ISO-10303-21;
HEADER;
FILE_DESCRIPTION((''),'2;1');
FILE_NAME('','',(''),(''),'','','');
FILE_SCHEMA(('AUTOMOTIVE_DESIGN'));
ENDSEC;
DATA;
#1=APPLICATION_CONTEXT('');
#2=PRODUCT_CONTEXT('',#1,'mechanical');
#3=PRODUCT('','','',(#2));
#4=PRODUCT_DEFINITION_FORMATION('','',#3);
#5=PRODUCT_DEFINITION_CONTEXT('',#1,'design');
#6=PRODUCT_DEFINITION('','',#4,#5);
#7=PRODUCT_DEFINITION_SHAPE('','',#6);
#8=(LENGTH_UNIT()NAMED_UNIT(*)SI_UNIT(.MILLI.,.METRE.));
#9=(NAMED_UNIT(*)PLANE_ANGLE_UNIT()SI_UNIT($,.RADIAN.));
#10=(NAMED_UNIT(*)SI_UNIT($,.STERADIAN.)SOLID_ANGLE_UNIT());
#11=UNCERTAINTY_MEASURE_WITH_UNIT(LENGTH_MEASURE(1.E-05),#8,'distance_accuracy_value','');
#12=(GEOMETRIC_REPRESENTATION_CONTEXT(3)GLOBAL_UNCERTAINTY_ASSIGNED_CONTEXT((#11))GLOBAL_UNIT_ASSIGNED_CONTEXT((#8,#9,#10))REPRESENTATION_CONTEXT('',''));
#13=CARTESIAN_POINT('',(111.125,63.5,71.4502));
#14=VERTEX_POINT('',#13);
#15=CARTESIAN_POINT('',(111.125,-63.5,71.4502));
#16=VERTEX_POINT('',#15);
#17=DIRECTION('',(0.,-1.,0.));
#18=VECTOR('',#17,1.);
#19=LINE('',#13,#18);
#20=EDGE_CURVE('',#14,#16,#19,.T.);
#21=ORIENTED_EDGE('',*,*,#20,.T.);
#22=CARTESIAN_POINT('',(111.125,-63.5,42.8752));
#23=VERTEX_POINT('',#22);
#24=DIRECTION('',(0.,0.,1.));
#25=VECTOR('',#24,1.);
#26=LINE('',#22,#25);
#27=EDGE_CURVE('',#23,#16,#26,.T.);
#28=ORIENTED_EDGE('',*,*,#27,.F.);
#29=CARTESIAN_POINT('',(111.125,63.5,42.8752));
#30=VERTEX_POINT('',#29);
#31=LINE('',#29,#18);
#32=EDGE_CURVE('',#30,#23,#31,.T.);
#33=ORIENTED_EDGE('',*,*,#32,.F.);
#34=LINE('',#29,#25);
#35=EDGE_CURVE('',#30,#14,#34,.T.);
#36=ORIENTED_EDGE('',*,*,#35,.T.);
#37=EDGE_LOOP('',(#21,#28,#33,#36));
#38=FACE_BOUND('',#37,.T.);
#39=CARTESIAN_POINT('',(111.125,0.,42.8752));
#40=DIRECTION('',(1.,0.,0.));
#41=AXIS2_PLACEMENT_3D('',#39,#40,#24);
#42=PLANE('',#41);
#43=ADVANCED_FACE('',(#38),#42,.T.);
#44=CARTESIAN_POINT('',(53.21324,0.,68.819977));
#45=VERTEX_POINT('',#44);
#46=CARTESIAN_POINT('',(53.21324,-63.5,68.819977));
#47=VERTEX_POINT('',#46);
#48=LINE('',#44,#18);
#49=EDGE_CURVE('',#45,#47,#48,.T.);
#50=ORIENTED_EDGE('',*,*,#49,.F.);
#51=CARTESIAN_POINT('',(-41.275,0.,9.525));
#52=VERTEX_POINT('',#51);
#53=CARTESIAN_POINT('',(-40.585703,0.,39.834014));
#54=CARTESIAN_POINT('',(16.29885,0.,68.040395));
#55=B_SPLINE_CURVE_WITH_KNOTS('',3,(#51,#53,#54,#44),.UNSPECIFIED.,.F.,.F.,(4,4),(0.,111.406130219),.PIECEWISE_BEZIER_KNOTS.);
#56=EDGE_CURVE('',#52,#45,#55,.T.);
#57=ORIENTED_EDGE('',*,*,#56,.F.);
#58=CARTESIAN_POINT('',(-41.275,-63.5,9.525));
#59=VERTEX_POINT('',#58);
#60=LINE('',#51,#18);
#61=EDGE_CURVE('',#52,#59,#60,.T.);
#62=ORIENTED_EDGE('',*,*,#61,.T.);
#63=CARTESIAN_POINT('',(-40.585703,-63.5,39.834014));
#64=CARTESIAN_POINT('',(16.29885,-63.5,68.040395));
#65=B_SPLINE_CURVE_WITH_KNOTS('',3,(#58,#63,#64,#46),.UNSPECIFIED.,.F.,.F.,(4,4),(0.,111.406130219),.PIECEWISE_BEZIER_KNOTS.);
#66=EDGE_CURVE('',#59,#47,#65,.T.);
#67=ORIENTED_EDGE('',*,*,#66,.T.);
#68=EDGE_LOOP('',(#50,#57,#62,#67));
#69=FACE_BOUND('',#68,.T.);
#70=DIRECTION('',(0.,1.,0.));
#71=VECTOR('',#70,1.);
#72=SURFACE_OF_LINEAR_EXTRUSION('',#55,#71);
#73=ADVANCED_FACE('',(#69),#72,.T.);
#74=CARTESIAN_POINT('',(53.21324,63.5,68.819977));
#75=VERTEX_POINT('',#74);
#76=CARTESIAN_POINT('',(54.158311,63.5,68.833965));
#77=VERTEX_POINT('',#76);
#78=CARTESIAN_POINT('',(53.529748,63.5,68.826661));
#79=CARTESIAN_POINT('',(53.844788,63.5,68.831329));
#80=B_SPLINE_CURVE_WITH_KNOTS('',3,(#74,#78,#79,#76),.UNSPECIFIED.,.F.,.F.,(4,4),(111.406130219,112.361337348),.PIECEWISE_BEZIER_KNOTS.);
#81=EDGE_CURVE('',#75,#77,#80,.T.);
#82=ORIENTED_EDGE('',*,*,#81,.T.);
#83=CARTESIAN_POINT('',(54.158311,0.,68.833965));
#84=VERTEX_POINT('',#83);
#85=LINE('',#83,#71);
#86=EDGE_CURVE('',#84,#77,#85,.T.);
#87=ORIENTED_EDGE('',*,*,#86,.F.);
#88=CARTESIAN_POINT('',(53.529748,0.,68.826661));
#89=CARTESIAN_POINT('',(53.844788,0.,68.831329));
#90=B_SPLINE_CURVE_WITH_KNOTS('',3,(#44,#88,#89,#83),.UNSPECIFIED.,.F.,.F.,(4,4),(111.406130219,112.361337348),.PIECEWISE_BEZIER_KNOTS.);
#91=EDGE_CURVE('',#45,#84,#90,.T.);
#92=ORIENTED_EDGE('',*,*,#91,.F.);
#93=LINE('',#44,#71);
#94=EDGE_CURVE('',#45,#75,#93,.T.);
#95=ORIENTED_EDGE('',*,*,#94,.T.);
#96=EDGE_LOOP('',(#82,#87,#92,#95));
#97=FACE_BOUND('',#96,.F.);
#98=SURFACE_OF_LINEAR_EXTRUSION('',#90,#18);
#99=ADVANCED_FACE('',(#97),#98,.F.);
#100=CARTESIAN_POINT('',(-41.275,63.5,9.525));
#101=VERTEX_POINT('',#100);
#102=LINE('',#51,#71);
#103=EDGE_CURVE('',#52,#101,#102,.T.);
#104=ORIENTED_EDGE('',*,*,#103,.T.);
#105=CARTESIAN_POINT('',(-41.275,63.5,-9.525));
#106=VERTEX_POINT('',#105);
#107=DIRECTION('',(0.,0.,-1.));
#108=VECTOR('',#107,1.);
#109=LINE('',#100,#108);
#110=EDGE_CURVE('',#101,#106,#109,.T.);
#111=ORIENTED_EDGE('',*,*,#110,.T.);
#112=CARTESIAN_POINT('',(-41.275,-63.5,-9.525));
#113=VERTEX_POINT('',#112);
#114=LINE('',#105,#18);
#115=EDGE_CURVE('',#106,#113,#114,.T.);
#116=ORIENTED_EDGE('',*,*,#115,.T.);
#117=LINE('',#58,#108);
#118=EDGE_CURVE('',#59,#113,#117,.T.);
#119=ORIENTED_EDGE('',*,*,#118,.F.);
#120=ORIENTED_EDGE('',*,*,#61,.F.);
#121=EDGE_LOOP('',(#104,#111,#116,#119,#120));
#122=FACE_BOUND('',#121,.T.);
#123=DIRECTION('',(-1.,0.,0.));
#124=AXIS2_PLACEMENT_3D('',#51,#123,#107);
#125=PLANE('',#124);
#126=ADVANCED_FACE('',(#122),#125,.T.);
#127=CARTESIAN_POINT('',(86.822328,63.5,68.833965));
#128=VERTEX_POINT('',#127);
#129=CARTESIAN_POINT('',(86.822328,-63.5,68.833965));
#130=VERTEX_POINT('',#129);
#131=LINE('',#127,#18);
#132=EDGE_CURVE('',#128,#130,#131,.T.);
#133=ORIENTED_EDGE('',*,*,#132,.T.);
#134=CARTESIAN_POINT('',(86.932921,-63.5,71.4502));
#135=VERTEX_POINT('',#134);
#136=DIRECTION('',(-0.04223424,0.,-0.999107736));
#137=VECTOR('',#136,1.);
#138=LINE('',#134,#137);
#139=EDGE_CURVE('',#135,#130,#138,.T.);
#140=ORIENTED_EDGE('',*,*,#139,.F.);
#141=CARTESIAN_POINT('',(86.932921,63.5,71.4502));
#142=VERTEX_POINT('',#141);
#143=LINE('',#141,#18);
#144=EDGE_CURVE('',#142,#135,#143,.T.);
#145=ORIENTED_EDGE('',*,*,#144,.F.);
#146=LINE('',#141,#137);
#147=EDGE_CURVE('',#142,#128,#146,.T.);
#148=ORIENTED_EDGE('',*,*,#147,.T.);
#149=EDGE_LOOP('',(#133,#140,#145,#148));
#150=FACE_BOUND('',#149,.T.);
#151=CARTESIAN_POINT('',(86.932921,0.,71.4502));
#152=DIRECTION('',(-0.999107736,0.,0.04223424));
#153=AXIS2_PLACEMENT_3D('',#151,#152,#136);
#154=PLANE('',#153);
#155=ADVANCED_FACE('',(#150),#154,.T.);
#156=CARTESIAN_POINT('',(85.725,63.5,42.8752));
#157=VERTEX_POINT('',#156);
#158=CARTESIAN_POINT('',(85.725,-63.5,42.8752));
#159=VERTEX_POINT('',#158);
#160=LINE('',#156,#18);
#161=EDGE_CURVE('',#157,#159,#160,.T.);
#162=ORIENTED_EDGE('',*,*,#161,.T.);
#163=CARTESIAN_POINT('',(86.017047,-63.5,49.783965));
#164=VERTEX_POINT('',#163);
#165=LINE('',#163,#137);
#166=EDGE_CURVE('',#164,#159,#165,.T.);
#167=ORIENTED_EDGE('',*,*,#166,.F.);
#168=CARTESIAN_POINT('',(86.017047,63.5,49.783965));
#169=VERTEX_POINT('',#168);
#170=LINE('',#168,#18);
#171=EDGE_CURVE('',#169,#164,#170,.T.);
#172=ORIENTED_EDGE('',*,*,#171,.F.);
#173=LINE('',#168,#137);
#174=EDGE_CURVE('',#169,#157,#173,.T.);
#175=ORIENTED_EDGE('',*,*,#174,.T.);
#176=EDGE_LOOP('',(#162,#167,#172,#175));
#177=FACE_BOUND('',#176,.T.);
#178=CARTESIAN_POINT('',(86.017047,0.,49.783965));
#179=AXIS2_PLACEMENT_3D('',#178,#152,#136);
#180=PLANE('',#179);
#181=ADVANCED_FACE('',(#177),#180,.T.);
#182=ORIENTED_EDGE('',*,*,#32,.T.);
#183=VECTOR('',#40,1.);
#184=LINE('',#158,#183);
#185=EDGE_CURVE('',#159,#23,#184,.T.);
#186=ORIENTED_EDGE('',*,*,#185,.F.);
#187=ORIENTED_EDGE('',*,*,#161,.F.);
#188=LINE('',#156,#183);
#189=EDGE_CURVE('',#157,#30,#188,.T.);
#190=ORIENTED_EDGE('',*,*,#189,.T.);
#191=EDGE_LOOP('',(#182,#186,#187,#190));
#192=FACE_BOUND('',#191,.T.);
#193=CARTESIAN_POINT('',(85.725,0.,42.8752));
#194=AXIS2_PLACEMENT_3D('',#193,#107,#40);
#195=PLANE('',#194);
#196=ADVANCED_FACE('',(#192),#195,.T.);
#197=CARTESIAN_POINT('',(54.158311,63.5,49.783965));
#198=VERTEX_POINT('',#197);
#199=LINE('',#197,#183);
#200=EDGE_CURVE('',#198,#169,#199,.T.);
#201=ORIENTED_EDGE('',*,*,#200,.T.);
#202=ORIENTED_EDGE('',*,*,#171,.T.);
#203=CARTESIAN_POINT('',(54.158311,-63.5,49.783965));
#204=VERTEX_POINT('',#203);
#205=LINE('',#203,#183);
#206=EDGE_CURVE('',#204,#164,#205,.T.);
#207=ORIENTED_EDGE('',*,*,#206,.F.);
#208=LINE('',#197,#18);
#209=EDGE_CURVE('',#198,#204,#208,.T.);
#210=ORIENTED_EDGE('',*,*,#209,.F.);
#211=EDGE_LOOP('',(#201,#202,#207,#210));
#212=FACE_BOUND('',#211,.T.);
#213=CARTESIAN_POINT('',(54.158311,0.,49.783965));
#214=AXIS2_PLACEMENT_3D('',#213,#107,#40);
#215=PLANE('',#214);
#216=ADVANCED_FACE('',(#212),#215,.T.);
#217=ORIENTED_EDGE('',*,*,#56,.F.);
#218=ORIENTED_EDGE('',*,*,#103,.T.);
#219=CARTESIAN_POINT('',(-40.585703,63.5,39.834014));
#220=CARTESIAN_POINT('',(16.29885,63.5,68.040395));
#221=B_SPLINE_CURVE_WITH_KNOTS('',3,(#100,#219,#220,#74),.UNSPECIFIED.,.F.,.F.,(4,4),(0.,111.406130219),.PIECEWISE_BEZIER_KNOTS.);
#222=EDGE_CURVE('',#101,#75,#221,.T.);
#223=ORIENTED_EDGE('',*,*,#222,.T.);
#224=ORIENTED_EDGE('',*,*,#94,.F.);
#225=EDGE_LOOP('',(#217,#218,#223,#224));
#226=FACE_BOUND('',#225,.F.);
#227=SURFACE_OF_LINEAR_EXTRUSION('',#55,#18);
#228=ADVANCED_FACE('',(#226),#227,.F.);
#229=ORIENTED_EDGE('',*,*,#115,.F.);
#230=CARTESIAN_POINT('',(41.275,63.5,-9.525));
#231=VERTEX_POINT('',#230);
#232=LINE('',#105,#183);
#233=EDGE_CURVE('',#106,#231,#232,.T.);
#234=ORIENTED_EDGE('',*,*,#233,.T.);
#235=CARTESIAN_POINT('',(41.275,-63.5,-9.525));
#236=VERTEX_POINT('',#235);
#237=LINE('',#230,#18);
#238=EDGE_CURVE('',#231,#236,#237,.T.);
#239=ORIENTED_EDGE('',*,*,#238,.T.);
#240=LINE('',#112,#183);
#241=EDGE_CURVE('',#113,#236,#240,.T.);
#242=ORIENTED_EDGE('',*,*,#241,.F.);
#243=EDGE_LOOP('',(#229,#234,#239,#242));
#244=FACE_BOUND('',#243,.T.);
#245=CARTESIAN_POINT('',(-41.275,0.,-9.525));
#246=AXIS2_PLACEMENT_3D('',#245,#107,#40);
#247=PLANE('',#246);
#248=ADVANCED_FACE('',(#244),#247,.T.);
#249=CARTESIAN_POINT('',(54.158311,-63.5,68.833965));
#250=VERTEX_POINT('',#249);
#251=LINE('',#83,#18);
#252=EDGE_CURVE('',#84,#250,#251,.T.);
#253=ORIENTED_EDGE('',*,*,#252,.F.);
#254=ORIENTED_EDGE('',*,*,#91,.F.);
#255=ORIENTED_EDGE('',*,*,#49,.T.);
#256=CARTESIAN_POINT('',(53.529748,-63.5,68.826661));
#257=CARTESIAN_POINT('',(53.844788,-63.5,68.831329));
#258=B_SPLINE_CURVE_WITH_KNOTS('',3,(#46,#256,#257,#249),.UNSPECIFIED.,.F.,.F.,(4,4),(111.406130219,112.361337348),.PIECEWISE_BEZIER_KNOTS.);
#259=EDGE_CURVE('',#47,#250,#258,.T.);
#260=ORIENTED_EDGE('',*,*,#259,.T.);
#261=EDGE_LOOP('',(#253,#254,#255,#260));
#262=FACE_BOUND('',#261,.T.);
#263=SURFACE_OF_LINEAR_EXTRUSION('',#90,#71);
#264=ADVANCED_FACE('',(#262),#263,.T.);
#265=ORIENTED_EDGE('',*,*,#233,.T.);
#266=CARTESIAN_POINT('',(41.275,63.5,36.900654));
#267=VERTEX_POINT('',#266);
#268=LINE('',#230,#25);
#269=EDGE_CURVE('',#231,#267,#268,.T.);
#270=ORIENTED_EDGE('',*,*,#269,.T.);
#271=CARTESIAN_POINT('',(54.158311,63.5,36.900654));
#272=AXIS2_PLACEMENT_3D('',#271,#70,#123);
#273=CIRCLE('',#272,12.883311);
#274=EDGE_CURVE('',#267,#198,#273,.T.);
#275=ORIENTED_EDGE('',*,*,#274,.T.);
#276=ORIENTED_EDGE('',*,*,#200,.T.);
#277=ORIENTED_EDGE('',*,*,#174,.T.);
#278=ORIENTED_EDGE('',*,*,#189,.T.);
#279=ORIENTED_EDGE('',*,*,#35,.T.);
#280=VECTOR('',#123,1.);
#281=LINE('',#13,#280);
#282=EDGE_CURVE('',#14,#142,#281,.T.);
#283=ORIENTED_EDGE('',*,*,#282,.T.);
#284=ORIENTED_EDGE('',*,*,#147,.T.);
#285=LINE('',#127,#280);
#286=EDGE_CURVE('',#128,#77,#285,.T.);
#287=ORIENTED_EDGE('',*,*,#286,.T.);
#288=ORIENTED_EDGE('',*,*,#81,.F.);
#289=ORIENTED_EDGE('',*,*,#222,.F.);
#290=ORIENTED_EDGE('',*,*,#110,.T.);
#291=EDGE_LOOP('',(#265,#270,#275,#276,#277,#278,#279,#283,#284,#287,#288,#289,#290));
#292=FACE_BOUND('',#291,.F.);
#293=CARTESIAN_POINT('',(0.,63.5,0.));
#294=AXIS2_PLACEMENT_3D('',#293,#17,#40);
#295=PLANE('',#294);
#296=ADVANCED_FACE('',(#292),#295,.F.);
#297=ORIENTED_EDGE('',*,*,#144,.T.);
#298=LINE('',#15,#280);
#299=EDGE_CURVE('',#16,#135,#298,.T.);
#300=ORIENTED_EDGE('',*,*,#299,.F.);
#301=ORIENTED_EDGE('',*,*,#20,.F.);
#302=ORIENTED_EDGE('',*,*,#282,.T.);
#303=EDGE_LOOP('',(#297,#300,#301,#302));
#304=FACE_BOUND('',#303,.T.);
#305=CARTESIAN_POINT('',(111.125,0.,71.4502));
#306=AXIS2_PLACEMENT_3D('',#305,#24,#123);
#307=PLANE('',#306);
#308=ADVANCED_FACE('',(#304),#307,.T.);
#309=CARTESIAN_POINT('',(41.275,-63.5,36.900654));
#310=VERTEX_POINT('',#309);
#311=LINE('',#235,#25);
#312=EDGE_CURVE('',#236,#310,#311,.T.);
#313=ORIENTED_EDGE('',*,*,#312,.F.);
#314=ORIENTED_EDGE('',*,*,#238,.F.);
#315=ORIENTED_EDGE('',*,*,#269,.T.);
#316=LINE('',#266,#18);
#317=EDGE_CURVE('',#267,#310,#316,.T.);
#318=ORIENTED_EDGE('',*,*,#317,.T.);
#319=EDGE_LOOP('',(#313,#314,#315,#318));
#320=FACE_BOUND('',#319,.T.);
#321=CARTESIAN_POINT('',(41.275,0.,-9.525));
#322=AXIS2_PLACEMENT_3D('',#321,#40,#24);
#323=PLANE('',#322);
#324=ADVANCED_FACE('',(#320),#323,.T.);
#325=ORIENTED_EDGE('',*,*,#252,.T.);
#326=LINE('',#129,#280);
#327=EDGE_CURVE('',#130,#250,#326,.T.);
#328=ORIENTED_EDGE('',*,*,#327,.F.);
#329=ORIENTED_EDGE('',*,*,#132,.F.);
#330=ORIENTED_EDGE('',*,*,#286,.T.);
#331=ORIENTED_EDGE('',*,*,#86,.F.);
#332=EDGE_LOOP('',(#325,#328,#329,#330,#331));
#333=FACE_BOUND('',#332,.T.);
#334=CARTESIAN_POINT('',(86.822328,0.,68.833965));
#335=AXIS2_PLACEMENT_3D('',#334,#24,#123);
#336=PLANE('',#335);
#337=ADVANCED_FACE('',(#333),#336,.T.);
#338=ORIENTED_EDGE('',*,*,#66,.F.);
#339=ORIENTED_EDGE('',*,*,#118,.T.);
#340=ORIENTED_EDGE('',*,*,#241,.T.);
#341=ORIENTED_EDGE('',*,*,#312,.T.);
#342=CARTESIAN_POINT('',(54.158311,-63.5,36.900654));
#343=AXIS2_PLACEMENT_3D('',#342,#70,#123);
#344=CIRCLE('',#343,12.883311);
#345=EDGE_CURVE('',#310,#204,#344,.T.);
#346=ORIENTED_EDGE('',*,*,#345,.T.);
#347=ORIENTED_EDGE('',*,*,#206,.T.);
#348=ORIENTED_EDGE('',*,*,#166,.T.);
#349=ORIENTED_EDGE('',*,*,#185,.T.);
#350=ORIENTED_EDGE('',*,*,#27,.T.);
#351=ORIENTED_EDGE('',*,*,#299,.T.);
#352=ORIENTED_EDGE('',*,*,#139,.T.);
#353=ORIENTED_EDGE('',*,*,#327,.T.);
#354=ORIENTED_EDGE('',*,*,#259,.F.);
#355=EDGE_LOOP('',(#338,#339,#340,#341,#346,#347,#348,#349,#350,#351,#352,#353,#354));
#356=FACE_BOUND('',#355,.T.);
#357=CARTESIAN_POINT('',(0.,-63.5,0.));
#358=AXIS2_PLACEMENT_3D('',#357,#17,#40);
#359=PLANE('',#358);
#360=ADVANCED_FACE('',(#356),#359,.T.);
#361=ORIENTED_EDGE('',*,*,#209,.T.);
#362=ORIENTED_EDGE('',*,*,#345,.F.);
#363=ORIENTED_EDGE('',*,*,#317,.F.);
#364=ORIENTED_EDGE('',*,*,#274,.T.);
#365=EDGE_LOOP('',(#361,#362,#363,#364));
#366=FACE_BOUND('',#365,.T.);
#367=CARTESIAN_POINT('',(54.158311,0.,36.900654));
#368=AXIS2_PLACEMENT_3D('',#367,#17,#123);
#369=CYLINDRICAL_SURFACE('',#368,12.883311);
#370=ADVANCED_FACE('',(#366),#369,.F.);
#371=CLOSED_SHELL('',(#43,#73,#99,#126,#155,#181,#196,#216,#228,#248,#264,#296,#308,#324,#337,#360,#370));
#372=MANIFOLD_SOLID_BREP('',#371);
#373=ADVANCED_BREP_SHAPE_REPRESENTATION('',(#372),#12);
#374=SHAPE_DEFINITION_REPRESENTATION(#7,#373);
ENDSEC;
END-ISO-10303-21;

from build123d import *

# Parameters (mm, degrees)
F1_DEPTH = 63.5


with BuildPart() as f1:
    # F0 (on Front) → F1 (new body, symmetric)
    with BuildSketch(Plane.XZ):
        Polygon((22.225, 9.525), (-41.275, 9.525), (-41.275, -9.525), (41.275, -9.525), (41.275, 9.525), align=None)
        with BuildLine():
            add(Edge.make_bspline(
                [(-41.275, 9.525), (-40.5857030926, 39.8340139473), (16.2988504343, 68.0403953108), (53.2132404855, 68.8199768106)],
                knots=[0, 0, 0, 0, 111.4061302188, 111.4061302188, 111.4061302188, 111.4061302188], degree=3))
            Line((-41.275, 9.525), (22.225, 9.525))
            Line((22.225, 9.525), (22.225, 36.9006536255))
            ThreePointArc((22.225, 36.9006536255), (31.2463536192, 59.1442720417), (53.2132404855, 68.8199768106))
        make_face()
        with BuildLine():
            Line((22.225, 36.9006536255), (22.225, 9.525))
            Line((22.225, 9.525), (41.275, 9.525))
            Line((41.275, 9.525), (41.275, 36.9006536255))
            ThreePointArc((41.275, 36.9006536255), (45.0484344252, 46.0105301915), (54.1583109911, 49.7839646167))
            Line((54.1583109911, 49.7839646167), (60.325, 49.7839646167))
            Line((60.325, 49.7839646167), (60.325, 68.8339646167))
            Line((60.325, 68.8339646167), (54.1583109911, 68.8339646167))
            add(Edge.make_bspline(
                [(53.2132404855, 68.8199768106), (53.5297481002, 68.8266610192), (53.8447876051, 68.831328942), (54.1583109911, 68.8339646167)],
                knots=[111.4061302188, 111.4061302188, 111.4061302188, 111.4061302188, 112.361337348, 112.361337348, 112.361337348, 112.361337348], degree=3))
            ThreePointArc((53.2132404855, 68.8199768106), (31.2463536192, 59.1442720417), (22.225, 36.9006536255))
        make_face()
        Polygon((86.8223277951, 68.8339646167), (60.325, 68.8339646167), (60.325, 49.7839646167), (86.0170470044, 49.7839646167), align=None)
        Polygon((86.9329211861, 71.4502), (86.8223277951, 68.8339646167), (86.0170470044, 49.7839646167), (85.725, 42.8752), (111.125, 42.8752), (111.125, 71.4502), align=None)
    extrude(amount=F1_DEPTH, both=True)


solid = f1.part
